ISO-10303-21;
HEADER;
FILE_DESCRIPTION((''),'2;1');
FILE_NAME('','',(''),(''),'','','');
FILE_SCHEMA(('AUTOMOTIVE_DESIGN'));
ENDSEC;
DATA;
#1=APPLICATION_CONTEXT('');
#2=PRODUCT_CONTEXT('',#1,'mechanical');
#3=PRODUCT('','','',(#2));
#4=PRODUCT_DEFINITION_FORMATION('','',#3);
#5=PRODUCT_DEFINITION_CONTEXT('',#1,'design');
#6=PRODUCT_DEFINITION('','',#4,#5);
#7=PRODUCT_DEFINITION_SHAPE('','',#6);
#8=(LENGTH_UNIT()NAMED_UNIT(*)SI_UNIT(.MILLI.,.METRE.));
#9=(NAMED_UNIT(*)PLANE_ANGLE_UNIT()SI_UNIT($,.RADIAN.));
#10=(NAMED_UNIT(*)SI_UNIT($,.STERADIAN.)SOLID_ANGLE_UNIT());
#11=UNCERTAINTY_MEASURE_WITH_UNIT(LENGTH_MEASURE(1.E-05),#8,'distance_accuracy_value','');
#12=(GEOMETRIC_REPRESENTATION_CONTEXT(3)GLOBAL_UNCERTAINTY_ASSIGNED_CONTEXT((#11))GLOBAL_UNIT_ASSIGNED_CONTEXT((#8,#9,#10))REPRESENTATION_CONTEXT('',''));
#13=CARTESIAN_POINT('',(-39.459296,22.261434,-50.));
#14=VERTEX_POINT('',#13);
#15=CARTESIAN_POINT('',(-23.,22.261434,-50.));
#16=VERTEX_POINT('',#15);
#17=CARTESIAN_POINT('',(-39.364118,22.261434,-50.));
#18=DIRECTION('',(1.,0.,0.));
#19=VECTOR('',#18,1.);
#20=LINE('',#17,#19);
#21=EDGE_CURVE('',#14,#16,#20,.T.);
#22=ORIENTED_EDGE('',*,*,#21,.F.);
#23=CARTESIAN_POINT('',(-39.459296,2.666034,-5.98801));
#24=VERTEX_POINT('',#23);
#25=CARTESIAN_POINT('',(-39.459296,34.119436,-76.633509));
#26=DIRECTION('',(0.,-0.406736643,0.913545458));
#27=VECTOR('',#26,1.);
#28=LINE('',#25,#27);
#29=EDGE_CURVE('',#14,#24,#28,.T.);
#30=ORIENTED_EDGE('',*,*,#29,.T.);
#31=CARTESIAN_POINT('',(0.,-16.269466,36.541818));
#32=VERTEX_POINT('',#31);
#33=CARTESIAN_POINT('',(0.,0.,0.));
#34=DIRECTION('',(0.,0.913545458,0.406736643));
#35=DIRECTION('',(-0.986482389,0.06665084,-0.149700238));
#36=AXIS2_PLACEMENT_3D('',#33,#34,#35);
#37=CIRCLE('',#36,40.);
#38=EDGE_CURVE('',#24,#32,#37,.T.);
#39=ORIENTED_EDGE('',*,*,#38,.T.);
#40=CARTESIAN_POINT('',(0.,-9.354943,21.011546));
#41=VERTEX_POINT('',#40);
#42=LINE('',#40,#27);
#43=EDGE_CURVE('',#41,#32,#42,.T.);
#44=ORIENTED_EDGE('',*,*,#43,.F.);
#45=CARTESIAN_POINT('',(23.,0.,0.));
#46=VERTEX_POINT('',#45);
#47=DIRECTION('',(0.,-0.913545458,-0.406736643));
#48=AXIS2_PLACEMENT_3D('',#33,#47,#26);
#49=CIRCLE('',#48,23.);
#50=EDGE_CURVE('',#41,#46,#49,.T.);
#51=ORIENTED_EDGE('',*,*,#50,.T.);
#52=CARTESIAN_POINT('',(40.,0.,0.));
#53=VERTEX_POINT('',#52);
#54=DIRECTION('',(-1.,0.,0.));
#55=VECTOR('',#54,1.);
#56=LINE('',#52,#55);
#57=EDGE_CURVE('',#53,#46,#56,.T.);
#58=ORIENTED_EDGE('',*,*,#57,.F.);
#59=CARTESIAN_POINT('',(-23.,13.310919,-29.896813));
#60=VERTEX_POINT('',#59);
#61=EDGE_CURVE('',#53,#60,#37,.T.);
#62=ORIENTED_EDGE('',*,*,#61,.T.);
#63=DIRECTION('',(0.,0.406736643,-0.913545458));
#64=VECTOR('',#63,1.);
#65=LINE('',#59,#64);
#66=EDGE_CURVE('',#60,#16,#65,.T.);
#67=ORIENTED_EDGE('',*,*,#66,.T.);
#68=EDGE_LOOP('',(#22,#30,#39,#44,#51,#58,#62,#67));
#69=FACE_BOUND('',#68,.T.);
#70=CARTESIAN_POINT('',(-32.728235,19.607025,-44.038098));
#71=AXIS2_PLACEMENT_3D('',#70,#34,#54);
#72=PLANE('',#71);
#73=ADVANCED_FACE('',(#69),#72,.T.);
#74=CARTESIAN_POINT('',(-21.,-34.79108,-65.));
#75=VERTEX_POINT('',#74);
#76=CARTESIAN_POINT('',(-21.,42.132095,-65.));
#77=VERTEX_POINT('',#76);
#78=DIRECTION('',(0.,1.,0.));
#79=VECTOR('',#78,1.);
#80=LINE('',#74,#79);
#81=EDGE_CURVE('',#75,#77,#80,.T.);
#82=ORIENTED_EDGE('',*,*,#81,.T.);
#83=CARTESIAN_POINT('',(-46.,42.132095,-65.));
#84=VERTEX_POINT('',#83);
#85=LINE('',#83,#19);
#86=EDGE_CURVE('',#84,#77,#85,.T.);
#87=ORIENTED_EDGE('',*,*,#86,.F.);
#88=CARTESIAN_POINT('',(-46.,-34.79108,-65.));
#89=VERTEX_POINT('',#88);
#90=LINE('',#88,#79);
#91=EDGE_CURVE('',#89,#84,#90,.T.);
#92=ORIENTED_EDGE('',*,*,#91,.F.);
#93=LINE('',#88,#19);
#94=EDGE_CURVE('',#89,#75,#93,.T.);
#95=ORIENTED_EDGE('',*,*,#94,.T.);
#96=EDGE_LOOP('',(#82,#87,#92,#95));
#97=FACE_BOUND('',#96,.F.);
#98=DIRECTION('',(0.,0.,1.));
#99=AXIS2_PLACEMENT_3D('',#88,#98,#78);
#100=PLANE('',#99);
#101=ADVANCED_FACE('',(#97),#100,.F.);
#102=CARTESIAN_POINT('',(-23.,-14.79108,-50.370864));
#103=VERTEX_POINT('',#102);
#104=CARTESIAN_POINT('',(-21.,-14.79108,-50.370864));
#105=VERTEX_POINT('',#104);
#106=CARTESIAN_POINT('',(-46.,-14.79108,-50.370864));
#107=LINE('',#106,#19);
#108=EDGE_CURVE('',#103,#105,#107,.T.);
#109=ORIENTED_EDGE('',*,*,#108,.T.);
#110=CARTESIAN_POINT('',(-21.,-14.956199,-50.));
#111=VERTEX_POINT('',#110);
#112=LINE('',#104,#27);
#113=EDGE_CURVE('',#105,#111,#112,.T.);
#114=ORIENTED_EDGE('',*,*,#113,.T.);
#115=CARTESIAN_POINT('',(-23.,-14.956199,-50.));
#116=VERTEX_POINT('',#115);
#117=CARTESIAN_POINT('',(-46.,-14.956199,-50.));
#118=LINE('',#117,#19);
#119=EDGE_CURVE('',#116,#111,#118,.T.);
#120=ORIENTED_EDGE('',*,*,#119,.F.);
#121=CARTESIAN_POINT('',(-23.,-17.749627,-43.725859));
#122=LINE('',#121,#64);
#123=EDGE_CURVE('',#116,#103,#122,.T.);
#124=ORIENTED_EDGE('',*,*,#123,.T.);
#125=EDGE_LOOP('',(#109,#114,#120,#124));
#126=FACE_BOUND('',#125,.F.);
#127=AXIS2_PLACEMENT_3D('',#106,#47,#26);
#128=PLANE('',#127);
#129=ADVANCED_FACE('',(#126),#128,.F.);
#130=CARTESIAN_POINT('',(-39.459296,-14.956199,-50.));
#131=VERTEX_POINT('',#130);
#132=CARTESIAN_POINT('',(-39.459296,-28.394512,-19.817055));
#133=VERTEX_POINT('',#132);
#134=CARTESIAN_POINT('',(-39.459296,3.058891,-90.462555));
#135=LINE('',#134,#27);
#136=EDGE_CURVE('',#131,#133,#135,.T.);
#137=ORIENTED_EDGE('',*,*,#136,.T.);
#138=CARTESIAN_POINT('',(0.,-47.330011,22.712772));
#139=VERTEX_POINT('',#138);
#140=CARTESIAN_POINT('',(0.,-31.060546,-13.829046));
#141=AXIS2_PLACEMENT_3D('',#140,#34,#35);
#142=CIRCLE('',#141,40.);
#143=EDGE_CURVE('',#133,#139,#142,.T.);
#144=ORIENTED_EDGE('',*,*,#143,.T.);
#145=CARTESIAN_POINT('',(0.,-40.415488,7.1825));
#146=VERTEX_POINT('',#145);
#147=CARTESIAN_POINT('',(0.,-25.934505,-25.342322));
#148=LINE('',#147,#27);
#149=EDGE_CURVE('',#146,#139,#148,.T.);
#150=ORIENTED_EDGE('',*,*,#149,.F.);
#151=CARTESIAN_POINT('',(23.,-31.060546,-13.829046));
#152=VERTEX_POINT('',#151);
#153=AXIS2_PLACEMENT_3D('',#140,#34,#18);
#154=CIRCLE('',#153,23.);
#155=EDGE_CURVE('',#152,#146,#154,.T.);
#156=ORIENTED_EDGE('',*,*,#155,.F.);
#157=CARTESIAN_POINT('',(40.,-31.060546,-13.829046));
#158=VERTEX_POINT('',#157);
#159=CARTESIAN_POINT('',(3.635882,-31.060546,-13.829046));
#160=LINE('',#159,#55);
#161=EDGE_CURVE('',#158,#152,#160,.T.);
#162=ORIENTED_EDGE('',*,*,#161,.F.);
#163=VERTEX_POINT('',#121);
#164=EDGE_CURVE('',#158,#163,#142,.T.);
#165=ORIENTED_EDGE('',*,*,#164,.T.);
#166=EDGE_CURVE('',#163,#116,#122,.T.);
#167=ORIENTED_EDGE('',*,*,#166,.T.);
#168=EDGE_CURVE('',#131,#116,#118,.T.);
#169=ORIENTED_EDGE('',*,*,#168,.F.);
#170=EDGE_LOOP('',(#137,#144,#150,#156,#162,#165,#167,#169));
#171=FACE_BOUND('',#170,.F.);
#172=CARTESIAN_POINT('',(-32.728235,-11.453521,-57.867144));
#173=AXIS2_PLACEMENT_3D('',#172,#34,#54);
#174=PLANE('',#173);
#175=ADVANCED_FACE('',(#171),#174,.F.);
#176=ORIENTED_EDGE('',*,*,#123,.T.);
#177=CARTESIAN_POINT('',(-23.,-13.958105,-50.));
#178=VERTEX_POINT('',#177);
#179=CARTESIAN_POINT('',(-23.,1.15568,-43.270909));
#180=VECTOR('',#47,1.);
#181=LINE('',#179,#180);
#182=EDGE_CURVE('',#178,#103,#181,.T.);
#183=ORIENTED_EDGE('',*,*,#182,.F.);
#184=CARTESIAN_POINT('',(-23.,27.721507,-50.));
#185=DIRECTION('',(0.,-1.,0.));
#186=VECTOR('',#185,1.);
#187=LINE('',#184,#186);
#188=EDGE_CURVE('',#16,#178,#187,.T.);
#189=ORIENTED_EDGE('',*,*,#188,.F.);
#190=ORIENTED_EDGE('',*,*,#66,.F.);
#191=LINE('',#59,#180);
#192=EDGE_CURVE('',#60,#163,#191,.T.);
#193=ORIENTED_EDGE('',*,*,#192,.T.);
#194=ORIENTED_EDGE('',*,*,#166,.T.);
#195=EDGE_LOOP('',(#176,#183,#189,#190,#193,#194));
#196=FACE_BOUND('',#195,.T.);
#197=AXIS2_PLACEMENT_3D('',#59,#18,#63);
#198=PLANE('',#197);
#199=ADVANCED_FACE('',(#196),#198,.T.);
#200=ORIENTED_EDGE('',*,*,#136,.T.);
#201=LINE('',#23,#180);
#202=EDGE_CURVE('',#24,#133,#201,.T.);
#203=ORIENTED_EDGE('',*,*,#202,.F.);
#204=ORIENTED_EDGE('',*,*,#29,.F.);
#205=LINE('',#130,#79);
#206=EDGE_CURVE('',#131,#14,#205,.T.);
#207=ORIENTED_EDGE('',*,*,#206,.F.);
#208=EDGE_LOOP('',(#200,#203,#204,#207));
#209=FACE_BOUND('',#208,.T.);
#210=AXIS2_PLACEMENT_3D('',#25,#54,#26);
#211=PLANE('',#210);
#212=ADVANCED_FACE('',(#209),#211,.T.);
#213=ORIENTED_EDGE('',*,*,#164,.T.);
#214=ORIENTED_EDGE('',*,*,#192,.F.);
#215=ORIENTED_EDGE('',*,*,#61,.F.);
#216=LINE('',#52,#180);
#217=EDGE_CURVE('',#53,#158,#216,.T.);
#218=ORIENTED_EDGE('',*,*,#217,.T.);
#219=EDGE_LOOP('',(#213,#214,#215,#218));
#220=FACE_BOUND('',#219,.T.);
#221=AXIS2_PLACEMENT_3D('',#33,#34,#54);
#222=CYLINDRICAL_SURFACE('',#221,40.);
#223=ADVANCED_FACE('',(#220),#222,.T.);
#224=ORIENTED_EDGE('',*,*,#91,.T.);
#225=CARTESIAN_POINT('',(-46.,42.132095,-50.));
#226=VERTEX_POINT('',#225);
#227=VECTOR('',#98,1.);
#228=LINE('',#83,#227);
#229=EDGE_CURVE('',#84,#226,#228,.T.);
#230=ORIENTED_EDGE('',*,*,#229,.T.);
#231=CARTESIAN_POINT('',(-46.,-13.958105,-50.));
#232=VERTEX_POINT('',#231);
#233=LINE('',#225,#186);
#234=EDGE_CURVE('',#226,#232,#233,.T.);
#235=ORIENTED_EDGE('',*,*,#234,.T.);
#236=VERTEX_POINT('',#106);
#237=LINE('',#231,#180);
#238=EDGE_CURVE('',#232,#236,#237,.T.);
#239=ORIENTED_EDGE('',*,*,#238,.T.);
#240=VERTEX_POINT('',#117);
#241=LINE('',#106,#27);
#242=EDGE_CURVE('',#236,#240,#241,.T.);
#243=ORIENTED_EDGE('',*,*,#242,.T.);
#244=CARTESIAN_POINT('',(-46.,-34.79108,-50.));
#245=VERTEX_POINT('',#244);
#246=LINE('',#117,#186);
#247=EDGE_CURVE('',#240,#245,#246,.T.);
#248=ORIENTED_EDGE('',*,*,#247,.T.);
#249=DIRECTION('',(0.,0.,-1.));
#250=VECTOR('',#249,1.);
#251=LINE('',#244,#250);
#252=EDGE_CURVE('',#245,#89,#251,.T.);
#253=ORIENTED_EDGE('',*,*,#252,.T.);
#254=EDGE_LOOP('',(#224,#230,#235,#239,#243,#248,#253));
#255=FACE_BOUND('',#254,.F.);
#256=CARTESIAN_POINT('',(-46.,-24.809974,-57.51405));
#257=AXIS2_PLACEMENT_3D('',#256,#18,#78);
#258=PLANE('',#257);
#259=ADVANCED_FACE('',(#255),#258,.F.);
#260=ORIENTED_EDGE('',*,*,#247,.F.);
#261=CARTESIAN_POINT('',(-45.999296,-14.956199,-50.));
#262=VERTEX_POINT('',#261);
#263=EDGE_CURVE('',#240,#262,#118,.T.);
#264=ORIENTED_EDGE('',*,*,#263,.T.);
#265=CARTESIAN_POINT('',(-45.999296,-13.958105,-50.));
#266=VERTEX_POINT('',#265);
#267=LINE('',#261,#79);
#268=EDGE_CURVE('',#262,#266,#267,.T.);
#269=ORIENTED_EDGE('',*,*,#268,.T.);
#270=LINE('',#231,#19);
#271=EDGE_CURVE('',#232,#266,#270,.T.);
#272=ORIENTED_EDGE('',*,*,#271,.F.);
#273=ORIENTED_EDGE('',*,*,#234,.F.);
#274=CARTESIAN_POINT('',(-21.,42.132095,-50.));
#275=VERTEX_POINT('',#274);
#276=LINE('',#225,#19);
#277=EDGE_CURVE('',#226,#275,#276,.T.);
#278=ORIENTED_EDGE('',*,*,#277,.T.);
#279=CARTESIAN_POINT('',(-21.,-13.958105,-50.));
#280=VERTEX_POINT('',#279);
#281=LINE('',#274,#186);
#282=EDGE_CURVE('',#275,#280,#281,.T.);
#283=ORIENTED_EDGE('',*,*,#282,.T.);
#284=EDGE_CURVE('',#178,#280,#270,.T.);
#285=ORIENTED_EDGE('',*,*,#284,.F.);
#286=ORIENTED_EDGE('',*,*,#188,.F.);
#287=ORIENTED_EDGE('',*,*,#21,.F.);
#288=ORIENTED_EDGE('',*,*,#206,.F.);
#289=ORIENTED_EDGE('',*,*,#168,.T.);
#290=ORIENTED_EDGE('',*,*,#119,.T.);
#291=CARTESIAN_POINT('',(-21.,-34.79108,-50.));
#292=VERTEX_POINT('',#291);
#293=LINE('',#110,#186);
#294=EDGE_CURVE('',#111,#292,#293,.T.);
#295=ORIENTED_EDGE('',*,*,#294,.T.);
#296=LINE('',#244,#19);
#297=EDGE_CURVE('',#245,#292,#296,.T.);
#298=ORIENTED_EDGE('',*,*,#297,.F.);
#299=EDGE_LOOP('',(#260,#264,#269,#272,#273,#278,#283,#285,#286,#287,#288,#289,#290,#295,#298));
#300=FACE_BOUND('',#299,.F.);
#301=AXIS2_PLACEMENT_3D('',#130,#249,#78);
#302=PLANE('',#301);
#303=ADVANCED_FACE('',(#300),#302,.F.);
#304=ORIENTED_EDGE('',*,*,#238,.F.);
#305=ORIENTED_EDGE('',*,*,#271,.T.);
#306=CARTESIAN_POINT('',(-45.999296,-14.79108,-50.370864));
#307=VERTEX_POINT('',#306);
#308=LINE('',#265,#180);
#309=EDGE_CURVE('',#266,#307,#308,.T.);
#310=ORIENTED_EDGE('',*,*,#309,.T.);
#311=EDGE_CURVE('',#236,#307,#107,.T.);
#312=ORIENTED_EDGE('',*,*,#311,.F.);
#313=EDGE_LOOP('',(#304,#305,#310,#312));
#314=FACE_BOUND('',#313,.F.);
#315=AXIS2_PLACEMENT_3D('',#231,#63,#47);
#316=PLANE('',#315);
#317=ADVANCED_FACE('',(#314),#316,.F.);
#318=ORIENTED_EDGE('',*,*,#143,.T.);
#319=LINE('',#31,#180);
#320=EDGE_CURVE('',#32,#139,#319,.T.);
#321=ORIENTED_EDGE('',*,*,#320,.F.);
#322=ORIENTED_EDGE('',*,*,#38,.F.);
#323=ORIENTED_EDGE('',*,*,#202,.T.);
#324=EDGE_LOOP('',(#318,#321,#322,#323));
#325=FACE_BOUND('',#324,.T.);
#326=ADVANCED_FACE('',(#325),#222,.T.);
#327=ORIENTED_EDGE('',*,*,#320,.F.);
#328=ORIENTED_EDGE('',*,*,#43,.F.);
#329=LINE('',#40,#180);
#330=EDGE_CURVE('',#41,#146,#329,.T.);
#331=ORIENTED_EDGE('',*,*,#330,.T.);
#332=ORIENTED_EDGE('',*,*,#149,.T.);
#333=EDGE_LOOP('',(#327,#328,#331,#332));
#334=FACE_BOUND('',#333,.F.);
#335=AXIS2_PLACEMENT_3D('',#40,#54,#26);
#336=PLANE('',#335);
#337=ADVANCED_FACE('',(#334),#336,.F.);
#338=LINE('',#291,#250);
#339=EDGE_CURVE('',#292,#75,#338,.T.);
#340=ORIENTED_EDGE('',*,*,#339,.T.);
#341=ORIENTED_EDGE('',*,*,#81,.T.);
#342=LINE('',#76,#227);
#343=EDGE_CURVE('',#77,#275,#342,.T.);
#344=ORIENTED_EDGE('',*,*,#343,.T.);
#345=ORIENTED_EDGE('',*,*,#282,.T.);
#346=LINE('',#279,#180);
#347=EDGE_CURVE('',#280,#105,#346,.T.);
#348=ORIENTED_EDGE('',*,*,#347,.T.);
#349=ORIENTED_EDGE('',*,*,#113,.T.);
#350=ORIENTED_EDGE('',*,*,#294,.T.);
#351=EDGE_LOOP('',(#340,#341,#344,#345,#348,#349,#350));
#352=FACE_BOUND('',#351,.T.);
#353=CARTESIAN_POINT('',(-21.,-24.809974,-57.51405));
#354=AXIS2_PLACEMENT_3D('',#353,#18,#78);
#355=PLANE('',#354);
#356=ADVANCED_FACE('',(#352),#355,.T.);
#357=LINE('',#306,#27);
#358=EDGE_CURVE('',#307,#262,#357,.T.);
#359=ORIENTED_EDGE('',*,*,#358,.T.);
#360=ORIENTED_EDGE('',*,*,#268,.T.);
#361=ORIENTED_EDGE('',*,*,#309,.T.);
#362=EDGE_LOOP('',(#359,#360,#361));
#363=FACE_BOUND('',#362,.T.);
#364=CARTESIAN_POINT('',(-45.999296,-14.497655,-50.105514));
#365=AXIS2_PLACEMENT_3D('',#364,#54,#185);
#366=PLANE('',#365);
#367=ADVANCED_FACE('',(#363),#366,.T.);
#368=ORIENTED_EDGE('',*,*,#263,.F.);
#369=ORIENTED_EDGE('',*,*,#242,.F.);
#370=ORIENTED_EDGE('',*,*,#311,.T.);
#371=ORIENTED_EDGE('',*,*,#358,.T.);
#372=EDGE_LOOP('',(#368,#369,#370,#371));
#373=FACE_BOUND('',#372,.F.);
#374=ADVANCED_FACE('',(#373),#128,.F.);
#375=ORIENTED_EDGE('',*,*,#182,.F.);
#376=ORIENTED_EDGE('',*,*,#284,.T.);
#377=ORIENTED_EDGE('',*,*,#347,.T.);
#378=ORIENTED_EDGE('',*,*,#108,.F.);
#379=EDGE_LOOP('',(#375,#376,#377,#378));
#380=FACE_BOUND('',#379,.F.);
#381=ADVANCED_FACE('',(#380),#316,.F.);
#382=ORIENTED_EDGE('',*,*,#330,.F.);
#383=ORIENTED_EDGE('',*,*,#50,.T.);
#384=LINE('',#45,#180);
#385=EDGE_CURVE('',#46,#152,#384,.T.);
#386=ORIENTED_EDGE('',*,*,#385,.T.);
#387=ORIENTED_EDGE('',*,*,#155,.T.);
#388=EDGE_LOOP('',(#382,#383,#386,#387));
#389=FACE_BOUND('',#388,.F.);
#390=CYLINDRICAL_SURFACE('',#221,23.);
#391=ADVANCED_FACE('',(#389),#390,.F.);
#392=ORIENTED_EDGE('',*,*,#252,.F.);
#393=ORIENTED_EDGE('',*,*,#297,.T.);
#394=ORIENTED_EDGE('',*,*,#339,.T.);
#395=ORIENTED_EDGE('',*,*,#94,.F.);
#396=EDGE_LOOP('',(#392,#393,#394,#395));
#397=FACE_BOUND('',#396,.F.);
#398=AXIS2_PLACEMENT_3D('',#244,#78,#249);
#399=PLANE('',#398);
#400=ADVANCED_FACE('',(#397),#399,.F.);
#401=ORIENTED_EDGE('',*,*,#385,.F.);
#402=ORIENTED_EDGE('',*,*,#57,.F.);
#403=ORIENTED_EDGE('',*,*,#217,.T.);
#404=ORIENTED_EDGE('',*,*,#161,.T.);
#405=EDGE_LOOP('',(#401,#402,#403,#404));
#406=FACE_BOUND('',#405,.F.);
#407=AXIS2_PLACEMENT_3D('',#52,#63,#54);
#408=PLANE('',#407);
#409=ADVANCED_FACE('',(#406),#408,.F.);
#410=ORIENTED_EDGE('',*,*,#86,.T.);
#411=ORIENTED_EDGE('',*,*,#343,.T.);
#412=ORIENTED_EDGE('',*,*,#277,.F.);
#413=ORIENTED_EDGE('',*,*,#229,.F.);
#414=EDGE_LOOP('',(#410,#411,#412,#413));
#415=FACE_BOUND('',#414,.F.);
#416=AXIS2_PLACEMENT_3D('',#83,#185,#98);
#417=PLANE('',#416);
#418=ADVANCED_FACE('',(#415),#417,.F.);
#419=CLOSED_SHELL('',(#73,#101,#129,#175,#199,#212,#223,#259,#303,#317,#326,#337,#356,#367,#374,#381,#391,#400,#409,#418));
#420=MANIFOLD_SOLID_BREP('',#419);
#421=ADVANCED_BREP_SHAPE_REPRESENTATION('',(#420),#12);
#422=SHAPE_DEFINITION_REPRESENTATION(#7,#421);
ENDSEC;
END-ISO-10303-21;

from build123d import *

# Parameters (mm, degrees)
F2_R      = 40
F2_R_2    = 23
F4_DEPTH  = 34
F8_DEPTH  = 25
F11_DEPTH = 34
F12_DEPTH = 25
F13_DEPTH = 180.6
F15_DEPTH = 6.54


with BuildPart() as f4:
    # F2 (on line) → F4 (new body)
    with BuildSketch(Plane(origin=(0, 0, 0), x_dir=(-1, 0, 0), z_dir=(0, 0.9135454576, 0.4067366431))):
        Circle(F2_R)
        Circle(F2_R_2, mode=Mode.SUBTRACT)
    extrude(amount=-F4_DEPTH)



with BuildPart() as f8:
    # F7 (on offset) → F8 (new body)
    with BuildSketch(Plane.YZ.offset(-46)):
        Polygon((-14.7910798368, -50.3708641703), (-14.9561992038, -50), (-34.7910798368, -50), (-34.7910798368, -65), (-14.7910798368, -65), align=None)
        Polygon((42.1320945024, -50), (22.2614342654, -50), (28.9398645451, -65), (42.1320945024, -65), align=None)
        Polygon((22.2614342654, -50), (0, -50), (0, -65), (28.9398645451, -65), align=None)
        Polygon((-8.2777689242, -65), (-14.7910798368, -50.3708641703), (-14.7910798368, -65), align=None)
        Polygon((0, -65), (0, -50), (-13.9581052722, -50), (-14.7910798368, -50.3708641703), (-8.2777689242, -65), align=None)
    extrude(amount=F8_DEPTH)


with BuildPart() as f4_1:
    add(f4.part)

    add(f8.part)  # F11 merges F8
    # F10 (on face) → F11 (join, through all)
    with BuildSketch(Plane(origin=(0, 0, 0), x_dir=(-1, 0, 0), z_dir=(0, 0.9135454576, 0.4067366431))):
        with BuildLine():
            ThreePointArc((39.4592955709, -6.5546924453), (33.8604048962, -21.2949050306), (23, -32.7261363439))
            Line((23, -32.7261363439), (23, -83.8858187199))
            Line((23, -83.8858187199), (39.4592955709, -83.8858187199))
            Line((39.4592955709, -83.8858187199), (39.4592955709, -6.5546924453))
        make_face()
    extrude(amount=-F11_DEPTH)

    # F12 (cut): a face of the model
    f12_faces = [f4_1.faces().sort_by_distance(p)[0] for p in [
        (-39.4592955709, 12.3389864526, -74.7036267653),
    ]]
    extrude(f12_faces, amount=-F12_DEPTH, mode=Mode.SUBTRACT)

    # F9 (on line) → F13 (cut)
    with BuildSketch(Plane(origin=(0, 0, 0), x_dir=(-1, 0, 0), z_dir=(0, 0.9135454576, 0.4067366431))):
        with BuildLine():
            Line((0, 23), (0, 40))
            ThreePointArc((0, 40), (-28.2842712475, 28.2842712475), (-40, 0))
            Line((-40, 0), (-23, 0))
            ThreePointArc((-23, 0), (-16.2634559673, 16.2634559673), (0, 23))
        make_face()
    extrude(amount=-F13_DEPTH, mode=Mode.SUBTRACT)

    # F14 (on face) → F15 (join)
    with BuildSketch(Plane(origin=(-39.4592955709, 0, 0), x_dir=(0, -1, 0), z_dir=(-1, 0, 0))):
        Polygon((14.7910798368, -50.3708641703), (14.9561992038, -50), (13.9581052722, -50), align=None)
    extrude(amount=F15_DEPTH)


solid = f4_1.part
